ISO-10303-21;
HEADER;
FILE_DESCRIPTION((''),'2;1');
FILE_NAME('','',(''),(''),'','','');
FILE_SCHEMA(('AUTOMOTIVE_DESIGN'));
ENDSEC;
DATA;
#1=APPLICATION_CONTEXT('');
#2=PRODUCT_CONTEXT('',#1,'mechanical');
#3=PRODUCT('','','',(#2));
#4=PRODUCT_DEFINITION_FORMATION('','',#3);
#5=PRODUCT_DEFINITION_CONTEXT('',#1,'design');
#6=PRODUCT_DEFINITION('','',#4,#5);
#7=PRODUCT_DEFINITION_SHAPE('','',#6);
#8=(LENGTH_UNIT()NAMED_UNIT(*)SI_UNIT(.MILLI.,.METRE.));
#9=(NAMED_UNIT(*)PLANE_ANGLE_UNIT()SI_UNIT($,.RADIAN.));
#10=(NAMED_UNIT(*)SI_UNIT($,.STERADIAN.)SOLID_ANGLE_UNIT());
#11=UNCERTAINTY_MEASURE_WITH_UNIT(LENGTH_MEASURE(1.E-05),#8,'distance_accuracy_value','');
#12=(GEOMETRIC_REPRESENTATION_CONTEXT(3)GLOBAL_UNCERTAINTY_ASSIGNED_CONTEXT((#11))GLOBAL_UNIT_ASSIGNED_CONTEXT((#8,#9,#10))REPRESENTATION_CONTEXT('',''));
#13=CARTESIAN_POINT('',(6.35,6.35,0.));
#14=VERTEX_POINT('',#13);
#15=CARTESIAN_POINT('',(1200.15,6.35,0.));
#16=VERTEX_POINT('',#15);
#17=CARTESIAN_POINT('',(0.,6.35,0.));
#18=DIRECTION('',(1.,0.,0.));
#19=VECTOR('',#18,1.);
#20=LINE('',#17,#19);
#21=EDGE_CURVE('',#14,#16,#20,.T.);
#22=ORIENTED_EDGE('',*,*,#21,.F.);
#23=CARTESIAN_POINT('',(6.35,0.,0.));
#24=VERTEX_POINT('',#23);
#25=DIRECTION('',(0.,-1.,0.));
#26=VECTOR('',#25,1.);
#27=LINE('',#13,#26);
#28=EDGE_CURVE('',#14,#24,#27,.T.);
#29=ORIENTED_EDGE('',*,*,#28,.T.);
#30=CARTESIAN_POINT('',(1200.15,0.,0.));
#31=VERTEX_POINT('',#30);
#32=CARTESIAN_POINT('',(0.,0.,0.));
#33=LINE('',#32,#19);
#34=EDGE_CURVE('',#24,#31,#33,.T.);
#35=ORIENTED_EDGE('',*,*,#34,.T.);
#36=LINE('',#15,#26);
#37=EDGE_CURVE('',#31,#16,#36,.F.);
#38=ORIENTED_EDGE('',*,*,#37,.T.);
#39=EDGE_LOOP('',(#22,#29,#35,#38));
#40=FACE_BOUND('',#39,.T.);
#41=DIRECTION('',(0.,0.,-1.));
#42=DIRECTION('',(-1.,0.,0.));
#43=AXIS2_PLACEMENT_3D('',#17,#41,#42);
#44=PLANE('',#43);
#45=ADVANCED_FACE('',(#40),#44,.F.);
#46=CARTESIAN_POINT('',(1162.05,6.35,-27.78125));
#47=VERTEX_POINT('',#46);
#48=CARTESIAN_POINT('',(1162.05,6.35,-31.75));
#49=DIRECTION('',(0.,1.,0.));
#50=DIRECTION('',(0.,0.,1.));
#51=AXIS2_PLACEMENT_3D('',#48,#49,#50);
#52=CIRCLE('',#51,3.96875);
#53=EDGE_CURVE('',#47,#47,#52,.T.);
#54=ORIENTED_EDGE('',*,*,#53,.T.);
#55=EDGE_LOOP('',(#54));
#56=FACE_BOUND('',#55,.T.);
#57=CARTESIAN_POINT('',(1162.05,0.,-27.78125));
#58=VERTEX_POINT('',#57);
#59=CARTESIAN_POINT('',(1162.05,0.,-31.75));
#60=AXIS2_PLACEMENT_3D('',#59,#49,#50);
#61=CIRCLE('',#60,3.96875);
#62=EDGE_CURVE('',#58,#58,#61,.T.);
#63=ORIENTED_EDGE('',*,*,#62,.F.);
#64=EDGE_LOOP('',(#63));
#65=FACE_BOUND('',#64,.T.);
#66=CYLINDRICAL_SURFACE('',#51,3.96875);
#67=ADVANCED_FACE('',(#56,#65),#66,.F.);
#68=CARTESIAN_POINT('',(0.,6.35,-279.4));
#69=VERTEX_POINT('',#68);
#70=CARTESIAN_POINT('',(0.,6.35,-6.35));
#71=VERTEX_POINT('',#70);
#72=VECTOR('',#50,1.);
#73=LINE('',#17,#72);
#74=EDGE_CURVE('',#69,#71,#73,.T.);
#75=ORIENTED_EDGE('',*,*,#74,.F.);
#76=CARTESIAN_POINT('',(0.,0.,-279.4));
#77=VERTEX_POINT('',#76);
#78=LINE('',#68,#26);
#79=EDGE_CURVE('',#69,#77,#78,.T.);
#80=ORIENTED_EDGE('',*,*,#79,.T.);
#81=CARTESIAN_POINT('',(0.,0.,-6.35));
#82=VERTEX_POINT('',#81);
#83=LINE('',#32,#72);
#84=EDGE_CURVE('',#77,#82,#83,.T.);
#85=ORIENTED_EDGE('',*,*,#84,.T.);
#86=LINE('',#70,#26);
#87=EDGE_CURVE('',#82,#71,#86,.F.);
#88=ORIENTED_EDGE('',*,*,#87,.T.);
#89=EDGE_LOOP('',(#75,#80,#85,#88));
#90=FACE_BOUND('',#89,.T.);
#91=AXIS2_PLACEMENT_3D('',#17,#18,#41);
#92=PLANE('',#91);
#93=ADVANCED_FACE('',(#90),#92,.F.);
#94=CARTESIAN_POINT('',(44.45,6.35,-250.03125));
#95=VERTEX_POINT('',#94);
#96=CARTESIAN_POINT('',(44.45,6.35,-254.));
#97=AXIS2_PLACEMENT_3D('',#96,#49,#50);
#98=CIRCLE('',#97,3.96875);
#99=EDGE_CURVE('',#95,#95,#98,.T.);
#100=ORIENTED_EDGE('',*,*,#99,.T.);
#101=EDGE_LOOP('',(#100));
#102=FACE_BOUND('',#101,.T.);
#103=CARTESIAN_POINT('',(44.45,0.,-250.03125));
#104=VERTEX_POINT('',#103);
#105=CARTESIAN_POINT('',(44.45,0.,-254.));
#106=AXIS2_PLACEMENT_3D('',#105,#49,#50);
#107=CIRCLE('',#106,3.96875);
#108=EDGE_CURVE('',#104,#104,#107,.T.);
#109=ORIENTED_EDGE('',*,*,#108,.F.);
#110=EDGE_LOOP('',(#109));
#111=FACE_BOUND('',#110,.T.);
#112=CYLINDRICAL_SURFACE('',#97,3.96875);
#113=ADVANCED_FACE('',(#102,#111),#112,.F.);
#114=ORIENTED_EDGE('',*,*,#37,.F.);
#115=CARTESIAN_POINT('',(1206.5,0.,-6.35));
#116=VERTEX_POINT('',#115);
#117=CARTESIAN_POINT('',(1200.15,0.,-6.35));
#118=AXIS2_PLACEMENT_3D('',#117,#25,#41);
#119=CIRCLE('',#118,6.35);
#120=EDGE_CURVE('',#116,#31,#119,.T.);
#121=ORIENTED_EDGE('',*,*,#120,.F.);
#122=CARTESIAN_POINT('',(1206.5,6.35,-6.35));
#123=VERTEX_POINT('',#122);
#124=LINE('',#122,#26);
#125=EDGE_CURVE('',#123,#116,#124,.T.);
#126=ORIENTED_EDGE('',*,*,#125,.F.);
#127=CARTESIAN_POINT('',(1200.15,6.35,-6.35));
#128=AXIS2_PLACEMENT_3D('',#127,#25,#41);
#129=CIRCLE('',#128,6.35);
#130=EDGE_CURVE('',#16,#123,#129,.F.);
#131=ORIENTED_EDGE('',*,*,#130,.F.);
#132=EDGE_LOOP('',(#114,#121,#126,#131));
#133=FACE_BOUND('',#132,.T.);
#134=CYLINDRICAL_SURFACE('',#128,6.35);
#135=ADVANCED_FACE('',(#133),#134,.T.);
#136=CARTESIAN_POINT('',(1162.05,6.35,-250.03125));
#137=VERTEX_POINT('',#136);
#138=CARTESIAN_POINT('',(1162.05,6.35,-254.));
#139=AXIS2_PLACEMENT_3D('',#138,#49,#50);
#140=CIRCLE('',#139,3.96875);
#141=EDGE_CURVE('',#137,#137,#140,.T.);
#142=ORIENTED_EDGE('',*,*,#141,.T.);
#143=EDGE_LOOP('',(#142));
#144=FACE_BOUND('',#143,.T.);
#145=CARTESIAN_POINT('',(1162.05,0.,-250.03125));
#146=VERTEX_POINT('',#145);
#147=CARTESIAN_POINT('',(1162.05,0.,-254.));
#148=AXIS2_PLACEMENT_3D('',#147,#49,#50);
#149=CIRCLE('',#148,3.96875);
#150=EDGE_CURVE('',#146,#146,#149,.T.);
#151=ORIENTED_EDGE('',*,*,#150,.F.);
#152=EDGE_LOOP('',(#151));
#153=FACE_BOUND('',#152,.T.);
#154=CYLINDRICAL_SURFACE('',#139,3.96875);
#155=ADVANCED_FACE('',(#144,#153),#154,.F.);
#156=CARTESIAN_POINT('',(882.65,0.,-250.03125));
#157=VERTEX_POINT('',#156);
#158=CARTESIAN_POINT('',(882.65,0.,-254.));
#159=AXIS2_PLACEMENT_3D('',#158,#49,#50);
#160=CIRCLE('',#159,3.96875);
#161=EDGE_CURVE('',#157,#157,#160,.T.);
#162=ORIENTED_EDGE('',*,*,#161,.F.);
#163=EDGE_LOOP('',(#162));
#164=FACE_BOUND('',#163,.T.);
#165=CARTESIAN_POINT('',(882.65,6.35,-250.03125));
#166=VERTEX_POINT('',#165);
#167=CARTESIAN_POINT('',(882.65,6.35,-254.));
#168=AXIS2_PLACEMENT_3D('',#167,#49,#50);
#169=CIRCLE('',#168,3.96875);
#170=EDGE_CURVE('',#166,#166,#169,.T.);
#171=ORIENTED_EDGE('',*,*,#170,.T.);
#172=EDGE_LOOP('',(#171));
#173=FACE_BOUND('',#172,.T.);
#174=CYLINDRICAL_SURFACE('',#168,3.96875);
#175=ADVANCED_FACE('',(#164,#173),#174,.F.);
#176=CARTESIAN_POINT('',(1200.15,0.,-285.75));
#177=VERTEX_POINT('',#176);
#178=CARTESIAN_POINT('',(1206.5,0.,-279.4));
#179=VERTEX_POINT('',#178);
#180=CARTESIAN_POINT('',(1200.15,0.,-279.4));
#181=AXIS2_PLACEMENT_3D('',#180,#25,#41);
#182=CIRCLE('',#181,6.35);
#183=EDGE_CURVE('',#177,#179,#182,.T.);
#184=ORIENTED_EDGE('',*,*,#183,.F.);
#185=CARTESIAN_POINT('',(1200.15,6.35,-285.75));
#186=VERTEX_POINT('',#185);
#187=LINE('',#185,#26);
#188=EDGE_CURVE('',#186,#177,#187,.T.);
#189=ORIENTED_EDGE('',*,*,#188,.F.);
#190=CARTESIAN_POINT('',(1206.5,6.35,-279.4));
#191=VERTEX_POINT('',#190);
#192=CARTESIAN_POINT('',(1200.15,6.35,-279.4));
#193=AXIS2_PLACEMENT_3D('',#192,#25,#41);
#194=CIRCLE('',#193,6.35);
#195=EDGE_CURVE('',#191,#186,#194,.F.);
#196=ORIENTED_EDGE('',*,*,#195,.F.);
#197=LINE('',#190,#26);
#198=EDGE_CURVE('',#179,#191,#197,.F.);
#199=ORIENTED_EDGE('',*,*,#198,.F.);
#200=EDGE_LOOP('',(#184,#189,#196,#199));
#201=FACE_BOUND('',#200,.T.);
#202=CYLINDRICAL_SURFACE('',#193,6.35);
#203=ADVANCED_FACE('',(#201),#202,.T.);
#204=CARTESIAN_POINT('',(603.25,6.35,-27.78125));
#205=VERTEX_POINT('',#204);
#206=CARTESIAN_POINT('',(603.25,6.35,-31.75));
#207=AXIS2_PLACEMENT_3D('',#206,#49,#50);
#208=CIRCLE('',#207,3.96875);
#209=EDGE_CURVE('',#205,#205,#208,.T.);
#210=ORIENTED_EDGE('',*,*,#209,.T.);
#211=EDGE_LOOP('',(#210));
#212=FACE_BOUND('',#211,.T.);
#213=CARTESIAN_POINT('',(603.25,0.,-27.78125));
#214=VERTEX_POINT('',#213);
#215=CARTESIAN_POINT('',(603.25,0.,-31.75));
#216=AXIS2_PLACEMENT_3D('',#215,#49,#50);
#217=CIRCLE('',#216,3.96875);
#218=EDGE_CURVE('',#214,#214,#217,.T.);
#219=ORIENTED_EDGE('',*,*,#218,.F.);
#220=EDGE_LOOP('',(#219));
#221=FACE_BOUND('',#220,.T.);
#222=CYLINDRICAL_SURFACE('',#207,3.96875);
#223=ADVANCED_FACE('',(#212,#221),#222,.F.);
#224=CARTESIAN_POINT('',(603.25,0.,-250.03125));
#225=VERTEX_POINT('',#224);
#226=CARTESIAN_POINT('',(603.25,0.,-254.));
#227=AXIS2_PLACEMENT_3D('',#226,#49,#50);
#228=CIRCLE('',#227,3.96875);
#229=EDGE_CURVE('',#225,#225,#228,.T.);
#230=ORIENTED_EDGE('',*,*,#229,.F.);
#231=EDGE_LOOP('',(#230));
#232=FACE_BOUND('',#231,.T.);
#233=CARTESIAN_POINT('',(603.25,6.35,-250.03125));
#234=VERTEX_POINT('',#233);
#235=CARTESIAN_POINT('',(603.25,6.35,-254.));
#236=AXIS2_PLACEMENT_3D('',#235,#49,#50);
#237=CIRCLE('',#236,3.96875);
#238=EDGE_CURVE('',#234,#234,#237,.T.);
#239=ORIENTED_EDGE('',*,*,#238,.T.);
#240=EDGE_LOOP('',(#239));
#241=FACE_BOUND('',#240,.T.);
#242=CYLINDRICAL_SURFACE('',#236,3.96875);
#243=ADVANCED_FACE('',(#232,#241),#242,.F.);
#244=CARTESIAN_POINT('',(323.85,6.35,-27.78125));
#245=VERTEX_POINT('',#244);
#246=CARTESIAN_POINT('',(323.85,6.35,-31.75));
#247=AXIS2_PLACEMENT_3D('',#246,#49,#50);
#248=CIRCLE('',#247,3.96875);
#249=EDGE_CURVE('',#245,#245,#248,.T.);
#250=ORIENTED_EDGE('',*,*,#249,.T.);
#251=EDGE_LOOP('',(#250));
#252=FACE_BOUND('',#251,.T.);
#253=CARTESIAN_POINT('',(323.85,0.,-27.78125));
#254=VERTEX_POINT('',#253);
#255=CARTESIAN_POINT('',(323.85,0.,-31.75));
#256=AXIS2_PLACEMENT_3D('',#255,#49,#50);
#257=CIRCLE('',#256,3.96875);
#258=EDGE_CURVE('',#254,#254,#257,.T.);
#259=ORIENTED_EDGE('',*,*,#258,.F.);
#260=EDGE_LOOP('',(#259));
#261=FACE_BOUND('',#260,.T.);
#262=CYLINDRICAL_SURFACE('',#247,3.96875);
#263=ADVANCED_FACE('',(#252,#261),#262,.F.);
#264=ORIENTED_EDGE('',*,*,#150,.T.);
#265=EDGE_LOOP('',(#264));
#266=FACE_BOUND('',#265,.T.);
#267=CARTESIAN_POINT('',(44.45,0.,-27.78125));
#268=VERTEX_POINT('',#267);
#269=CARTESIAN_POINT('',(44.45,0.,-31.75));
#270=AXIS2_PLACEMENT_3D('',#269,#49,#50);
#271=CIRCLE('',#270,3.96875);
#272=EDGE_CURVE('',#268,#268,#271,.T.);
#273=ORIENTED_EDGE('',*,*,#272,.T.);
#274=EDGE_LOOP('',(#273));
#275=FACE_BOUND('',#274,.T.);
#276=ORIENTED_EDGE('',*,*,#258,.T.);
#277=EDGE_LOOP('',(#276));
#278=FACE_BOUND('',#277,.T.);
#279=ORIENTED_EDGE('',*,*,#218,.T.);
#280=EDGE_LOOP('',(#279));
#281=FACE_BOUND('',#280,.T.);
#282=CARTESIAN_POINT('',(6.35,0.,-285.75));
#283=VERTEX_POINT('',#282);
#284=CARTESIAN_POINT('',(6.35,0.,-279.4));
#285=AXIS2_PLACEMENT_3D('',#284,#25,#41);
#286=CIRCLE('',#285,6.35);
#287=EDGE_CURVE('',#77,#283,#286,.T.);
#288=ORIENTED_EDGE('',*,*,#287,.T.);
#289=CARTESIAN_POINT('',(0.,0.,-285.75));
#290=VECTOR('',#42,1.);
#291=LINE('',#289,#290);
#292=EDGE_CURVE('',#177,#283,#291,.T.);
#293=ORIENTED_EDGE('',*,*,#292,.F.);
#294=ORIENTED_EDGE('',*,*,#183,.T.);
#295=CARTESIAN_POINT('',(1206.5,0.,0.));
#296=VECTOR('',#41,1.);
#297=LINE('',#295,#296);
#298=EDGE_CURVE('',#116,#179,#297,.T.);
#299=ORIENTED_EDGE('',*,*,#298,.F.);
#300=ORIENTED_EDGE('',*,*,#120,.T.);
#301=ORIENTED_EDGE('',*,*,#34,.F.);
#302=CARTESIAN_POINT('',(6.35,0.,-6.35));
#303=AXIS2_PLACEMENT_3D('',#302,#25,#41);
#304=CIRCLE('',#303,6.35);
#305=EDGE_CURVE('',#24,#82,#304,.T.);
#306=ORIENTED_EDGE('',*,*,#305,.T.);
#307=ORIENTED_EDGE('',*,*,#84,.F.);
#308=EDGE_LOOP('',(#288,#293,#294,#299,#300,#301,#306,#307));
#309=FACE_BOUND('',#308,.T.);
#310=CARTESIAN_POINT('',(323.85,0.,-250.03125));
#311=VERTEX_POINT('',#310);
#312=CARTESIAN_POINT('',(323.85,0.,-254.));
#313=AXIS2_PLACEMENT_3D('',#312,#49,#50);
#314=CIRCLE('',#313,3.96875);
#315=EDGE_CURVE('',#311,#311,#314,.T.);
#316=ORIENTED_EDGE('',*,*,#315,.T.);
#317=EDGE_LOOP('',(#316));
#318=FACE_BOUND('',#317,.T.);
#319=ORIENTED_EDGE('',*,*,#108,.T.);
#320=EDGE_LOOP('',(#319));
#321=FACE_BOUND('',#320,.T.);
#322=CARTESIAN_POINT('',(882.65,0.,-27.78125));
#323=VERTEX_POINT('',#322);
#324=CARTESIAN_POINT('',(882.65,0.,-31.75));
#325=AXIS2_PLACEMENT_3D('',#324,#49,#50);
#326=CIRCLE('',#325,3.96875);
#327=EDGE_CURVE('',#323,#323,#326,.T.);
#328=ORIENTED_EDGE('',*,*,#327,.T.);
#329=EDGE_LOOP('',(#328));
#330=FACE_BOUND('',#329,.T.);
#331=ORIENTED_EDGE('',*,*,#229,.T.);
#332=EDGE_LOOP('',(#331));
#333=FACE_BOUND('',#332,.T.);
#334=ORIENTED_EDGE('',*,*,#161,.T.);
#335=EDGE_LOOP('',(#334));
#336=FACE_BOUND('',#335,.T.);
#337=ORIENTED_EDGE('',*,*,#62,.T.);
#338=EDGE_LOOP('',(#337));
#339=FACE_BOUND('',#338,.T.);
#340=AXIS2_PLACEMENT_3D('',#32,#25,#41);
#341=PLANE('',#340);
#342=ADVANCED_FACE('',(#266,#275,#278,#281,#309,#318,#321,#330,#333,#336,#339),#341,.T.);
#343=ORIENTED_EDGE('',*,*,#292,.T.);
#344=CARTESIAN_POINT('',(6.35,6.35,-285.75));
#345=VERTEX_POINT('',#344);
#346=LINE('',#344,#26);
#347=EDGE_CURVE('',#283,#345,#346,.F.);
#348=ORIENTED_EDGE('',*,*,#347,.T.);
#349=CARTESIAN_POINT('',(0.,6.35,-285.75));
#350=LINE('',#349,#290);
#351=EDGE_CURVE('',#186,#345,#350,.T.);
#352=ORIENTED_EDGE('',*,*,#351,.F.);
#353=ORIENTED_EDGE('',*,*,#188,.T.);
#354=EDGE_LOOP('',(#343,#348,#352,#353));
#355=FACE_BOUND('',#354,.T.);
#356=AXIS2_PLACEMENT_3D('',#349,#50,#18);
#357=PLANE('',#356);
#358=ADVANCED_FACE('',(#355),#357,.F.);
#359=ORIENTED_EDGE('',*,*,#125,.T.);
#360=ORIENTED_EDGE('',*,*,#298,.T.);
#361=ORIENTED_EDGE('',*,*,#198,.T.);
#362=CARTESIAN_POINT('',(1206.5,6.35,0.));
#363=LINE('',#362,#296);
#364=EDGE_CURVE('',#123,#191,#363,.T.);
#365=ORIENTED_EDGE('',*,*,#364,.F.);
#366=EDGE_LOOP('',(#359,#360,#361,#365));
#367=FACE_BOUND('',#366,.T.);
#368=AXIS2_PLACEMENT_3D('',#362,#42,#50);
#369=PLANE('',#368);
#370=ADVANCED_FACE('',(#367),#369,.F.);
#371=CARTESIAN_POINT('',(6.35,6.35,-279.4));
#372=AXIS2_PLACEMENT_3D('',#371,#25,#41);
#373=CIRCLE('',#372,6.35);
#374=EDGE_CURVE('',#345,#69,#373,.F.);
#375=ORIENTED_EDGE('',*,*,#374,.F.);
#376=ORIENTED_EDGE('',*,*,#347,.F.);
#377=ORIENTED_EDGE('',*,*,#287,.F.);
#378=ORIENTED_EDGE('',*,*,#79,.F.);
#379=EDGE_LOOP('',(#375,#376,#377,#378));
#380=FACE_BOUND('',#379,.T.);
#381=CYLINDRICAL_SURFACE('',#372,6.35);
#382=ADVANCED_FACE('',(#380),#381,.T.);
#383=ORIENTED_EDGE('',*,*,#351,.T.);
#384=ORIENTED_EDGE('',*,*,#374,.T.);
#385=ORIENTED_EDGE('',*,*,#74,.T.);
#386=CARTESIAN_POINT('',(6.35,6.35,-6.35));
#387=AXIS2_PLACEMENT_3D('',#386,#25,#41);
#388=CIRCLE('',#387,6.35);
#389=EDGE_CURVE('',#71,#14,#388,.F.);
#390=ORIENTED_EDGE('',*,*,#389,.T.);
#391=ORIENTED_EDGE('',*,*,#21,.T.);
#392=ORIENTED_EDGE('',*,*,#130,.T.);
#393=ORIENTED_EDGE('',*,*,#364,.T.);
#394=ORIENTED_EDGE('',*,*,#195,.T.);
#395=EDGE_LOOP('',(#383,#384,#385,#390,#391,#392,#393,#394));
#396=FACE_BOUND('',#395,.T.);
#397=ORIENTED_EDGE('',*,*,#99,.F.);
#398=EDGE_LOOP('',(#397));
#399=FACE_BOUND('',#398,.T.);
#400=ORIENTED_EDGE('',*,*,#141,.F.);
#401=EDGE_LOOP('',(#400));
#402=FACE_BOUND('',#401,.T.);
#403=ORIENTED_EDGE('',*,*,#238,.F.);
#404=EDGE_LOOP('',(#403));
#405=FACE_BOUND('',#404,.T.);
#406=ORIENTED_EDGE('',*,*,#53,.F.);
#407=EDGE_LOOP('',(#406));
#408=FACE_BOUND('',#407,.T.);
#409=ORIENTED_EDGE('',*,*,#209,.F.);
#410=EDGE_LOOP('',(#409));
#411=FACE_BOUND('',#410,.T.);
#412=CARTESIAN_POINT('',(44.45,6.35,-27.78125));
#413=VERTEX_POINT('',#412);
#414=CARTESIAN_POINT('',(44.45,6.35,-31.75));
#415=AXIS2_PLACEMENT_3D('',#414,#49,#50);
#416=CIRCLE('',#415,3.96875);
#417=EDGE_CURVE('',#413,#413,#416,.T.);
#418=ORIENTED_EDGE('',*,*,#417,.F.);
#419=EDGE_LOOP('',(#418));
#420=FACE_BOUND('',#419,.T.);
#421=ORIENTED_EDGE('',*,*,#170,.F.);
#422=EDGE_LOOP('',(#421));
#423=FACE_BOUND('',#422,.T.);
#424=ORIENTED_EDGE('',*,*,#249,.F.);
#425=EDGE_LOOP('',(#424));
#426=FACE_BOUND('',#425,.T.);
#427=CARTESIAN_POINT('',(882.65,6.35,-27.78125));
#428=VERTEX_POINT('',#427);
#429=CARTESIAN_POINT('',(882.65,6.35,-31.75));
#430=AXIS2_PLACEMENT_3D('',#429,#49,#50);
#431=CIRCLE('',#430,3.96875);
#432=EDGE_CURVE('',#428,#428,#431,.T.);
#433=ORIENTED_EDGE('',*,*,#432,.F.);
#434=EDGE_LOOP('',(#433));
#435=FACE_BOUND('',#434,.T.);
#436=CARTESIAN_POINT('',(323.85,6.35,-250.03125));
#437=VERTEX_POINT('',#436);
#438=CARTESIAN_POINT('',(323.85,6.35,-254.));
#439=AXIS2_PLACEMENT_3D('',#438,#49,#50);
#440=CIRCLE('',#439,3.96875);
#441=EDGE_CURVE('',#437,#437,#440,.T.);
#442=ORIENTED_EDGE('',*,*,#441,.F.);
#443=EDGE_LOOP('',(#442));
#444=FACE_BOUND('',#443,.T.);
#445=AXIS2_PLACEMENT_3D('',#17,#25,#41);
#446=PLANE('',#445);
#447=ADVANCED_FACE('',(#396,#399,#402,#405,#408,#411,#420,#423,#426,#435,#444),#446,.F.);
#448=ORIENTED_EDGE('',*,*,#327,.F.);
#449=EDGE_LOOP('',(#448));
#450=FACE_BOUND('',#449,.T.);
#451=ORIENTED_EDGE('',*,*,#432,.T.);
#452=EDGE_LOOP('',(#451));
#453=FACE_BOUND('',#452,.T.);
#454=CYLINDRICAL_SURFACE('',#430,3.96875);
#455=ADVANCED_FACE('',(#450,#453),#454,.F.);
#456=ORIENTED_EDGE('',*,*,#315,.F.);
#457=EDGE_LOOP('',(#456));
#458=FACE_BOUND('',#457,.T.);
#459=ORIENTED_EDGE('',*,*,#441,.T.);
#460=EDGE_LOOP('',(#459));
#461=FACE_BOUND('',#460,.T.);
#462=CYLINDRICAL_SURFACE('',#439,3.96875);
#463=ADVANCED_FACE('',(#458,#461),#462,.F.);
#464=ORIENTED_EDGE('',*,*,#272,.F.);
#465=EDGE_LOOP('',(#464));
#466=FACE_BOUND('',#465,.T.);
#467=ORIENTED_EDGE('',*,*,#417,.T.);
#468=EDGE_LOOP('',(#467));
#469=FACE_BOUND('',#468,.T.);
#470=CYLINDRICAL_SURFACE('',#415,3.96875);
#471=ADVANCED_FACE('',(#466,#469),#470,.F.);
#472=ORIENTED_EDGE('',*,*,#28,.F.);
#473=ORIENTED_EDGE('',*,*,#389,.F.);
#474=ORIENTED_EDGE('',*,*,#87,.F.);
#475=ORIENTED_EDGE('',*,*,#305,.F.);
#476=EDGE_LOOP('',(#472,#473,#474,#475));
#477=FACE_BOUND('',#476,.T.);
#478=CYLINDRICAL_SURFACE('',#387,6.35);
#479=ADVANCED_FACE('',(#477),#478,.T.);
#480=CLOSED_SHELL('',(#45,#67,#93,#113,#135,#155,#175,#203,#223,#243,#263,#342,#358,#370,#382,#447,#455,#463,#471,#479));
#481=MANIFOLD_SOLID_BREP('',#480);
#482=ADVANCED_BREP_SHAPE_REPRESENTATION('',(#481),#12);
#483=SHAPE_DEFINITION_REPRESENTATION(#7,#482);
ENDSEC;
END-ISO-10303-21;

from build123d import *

# Parameters (mm, degrees)
SKETCH1_W                      = 1206.5
SKETCH1_H                      = 285.75
BOSS_EXTRUDE1_DEPTH            = 6.35
F_5_16_0_3125_DIAMETER_HOLE1_D = 7.9375
LPATTERN1_COUNT                = 5
LPATTERN1_PITCH                = 279.4
LPATTERN1_COUNT_DIR2           = 2
LPATTERN1_PITCH_DIR2           = 222.25
FILLET1_R                      = 6.35


with BuildPart() as part:
    # Sketch1 → Boss-Extrude1 (new body)
    with BuildSketch(Plane(origin=(0, 0, 0), x_dir=(1, 0, 0), z_dir=(0, 1, 0))):
        with Locations((603.25, 142.875)):
            Rectangle(SKETCH1_W, SKETCH1_H)
    extrude(amount=BOSS_EXTRUDE1_DEPTH)

    # 5/16 (0.3125) Diameter Hole1 (through all)
    with Locations(Plane(origin=(0, 6.35, 0), x_dir=(1, 0, 0), z_dir=(0, 1, 0))):
        with Locations((44.45, 31.75)):
            f_5_16_0_3125_diameter_hole1 = Hole(F_5_16_0_3125_DIAMETER_HOLE1_D / 2)

    # LPattern1: 5_16 _0.3125_ Diameter Hole1 5 × 2
    with Locations(*[(i * LPATTERN1_PITCH, 0, -j * LPATTERN1_PITCH_DIR2) for i in range(LPATTERN1_COUNT) for j in range(LPATTERN1_COUNT_DIR2) if (i, j) != (0, 0)]):
        add(f_5_16_0_3125_diameter_hole1, mode=Mode.SUBTRACT)

    # Fillet1
    fillet1_edges = [part.edges().sort_by_distance(p)[0] for p in [
        (0, 3.175, -285.75),
        (1206.5, 3.175, -285.75),
        (1206.5, 3.175, 0),
        (0, 3.175, 0),
    ]]
    fillet(fillet1_edges, radius=FILLET1_R)


solid = part.part
